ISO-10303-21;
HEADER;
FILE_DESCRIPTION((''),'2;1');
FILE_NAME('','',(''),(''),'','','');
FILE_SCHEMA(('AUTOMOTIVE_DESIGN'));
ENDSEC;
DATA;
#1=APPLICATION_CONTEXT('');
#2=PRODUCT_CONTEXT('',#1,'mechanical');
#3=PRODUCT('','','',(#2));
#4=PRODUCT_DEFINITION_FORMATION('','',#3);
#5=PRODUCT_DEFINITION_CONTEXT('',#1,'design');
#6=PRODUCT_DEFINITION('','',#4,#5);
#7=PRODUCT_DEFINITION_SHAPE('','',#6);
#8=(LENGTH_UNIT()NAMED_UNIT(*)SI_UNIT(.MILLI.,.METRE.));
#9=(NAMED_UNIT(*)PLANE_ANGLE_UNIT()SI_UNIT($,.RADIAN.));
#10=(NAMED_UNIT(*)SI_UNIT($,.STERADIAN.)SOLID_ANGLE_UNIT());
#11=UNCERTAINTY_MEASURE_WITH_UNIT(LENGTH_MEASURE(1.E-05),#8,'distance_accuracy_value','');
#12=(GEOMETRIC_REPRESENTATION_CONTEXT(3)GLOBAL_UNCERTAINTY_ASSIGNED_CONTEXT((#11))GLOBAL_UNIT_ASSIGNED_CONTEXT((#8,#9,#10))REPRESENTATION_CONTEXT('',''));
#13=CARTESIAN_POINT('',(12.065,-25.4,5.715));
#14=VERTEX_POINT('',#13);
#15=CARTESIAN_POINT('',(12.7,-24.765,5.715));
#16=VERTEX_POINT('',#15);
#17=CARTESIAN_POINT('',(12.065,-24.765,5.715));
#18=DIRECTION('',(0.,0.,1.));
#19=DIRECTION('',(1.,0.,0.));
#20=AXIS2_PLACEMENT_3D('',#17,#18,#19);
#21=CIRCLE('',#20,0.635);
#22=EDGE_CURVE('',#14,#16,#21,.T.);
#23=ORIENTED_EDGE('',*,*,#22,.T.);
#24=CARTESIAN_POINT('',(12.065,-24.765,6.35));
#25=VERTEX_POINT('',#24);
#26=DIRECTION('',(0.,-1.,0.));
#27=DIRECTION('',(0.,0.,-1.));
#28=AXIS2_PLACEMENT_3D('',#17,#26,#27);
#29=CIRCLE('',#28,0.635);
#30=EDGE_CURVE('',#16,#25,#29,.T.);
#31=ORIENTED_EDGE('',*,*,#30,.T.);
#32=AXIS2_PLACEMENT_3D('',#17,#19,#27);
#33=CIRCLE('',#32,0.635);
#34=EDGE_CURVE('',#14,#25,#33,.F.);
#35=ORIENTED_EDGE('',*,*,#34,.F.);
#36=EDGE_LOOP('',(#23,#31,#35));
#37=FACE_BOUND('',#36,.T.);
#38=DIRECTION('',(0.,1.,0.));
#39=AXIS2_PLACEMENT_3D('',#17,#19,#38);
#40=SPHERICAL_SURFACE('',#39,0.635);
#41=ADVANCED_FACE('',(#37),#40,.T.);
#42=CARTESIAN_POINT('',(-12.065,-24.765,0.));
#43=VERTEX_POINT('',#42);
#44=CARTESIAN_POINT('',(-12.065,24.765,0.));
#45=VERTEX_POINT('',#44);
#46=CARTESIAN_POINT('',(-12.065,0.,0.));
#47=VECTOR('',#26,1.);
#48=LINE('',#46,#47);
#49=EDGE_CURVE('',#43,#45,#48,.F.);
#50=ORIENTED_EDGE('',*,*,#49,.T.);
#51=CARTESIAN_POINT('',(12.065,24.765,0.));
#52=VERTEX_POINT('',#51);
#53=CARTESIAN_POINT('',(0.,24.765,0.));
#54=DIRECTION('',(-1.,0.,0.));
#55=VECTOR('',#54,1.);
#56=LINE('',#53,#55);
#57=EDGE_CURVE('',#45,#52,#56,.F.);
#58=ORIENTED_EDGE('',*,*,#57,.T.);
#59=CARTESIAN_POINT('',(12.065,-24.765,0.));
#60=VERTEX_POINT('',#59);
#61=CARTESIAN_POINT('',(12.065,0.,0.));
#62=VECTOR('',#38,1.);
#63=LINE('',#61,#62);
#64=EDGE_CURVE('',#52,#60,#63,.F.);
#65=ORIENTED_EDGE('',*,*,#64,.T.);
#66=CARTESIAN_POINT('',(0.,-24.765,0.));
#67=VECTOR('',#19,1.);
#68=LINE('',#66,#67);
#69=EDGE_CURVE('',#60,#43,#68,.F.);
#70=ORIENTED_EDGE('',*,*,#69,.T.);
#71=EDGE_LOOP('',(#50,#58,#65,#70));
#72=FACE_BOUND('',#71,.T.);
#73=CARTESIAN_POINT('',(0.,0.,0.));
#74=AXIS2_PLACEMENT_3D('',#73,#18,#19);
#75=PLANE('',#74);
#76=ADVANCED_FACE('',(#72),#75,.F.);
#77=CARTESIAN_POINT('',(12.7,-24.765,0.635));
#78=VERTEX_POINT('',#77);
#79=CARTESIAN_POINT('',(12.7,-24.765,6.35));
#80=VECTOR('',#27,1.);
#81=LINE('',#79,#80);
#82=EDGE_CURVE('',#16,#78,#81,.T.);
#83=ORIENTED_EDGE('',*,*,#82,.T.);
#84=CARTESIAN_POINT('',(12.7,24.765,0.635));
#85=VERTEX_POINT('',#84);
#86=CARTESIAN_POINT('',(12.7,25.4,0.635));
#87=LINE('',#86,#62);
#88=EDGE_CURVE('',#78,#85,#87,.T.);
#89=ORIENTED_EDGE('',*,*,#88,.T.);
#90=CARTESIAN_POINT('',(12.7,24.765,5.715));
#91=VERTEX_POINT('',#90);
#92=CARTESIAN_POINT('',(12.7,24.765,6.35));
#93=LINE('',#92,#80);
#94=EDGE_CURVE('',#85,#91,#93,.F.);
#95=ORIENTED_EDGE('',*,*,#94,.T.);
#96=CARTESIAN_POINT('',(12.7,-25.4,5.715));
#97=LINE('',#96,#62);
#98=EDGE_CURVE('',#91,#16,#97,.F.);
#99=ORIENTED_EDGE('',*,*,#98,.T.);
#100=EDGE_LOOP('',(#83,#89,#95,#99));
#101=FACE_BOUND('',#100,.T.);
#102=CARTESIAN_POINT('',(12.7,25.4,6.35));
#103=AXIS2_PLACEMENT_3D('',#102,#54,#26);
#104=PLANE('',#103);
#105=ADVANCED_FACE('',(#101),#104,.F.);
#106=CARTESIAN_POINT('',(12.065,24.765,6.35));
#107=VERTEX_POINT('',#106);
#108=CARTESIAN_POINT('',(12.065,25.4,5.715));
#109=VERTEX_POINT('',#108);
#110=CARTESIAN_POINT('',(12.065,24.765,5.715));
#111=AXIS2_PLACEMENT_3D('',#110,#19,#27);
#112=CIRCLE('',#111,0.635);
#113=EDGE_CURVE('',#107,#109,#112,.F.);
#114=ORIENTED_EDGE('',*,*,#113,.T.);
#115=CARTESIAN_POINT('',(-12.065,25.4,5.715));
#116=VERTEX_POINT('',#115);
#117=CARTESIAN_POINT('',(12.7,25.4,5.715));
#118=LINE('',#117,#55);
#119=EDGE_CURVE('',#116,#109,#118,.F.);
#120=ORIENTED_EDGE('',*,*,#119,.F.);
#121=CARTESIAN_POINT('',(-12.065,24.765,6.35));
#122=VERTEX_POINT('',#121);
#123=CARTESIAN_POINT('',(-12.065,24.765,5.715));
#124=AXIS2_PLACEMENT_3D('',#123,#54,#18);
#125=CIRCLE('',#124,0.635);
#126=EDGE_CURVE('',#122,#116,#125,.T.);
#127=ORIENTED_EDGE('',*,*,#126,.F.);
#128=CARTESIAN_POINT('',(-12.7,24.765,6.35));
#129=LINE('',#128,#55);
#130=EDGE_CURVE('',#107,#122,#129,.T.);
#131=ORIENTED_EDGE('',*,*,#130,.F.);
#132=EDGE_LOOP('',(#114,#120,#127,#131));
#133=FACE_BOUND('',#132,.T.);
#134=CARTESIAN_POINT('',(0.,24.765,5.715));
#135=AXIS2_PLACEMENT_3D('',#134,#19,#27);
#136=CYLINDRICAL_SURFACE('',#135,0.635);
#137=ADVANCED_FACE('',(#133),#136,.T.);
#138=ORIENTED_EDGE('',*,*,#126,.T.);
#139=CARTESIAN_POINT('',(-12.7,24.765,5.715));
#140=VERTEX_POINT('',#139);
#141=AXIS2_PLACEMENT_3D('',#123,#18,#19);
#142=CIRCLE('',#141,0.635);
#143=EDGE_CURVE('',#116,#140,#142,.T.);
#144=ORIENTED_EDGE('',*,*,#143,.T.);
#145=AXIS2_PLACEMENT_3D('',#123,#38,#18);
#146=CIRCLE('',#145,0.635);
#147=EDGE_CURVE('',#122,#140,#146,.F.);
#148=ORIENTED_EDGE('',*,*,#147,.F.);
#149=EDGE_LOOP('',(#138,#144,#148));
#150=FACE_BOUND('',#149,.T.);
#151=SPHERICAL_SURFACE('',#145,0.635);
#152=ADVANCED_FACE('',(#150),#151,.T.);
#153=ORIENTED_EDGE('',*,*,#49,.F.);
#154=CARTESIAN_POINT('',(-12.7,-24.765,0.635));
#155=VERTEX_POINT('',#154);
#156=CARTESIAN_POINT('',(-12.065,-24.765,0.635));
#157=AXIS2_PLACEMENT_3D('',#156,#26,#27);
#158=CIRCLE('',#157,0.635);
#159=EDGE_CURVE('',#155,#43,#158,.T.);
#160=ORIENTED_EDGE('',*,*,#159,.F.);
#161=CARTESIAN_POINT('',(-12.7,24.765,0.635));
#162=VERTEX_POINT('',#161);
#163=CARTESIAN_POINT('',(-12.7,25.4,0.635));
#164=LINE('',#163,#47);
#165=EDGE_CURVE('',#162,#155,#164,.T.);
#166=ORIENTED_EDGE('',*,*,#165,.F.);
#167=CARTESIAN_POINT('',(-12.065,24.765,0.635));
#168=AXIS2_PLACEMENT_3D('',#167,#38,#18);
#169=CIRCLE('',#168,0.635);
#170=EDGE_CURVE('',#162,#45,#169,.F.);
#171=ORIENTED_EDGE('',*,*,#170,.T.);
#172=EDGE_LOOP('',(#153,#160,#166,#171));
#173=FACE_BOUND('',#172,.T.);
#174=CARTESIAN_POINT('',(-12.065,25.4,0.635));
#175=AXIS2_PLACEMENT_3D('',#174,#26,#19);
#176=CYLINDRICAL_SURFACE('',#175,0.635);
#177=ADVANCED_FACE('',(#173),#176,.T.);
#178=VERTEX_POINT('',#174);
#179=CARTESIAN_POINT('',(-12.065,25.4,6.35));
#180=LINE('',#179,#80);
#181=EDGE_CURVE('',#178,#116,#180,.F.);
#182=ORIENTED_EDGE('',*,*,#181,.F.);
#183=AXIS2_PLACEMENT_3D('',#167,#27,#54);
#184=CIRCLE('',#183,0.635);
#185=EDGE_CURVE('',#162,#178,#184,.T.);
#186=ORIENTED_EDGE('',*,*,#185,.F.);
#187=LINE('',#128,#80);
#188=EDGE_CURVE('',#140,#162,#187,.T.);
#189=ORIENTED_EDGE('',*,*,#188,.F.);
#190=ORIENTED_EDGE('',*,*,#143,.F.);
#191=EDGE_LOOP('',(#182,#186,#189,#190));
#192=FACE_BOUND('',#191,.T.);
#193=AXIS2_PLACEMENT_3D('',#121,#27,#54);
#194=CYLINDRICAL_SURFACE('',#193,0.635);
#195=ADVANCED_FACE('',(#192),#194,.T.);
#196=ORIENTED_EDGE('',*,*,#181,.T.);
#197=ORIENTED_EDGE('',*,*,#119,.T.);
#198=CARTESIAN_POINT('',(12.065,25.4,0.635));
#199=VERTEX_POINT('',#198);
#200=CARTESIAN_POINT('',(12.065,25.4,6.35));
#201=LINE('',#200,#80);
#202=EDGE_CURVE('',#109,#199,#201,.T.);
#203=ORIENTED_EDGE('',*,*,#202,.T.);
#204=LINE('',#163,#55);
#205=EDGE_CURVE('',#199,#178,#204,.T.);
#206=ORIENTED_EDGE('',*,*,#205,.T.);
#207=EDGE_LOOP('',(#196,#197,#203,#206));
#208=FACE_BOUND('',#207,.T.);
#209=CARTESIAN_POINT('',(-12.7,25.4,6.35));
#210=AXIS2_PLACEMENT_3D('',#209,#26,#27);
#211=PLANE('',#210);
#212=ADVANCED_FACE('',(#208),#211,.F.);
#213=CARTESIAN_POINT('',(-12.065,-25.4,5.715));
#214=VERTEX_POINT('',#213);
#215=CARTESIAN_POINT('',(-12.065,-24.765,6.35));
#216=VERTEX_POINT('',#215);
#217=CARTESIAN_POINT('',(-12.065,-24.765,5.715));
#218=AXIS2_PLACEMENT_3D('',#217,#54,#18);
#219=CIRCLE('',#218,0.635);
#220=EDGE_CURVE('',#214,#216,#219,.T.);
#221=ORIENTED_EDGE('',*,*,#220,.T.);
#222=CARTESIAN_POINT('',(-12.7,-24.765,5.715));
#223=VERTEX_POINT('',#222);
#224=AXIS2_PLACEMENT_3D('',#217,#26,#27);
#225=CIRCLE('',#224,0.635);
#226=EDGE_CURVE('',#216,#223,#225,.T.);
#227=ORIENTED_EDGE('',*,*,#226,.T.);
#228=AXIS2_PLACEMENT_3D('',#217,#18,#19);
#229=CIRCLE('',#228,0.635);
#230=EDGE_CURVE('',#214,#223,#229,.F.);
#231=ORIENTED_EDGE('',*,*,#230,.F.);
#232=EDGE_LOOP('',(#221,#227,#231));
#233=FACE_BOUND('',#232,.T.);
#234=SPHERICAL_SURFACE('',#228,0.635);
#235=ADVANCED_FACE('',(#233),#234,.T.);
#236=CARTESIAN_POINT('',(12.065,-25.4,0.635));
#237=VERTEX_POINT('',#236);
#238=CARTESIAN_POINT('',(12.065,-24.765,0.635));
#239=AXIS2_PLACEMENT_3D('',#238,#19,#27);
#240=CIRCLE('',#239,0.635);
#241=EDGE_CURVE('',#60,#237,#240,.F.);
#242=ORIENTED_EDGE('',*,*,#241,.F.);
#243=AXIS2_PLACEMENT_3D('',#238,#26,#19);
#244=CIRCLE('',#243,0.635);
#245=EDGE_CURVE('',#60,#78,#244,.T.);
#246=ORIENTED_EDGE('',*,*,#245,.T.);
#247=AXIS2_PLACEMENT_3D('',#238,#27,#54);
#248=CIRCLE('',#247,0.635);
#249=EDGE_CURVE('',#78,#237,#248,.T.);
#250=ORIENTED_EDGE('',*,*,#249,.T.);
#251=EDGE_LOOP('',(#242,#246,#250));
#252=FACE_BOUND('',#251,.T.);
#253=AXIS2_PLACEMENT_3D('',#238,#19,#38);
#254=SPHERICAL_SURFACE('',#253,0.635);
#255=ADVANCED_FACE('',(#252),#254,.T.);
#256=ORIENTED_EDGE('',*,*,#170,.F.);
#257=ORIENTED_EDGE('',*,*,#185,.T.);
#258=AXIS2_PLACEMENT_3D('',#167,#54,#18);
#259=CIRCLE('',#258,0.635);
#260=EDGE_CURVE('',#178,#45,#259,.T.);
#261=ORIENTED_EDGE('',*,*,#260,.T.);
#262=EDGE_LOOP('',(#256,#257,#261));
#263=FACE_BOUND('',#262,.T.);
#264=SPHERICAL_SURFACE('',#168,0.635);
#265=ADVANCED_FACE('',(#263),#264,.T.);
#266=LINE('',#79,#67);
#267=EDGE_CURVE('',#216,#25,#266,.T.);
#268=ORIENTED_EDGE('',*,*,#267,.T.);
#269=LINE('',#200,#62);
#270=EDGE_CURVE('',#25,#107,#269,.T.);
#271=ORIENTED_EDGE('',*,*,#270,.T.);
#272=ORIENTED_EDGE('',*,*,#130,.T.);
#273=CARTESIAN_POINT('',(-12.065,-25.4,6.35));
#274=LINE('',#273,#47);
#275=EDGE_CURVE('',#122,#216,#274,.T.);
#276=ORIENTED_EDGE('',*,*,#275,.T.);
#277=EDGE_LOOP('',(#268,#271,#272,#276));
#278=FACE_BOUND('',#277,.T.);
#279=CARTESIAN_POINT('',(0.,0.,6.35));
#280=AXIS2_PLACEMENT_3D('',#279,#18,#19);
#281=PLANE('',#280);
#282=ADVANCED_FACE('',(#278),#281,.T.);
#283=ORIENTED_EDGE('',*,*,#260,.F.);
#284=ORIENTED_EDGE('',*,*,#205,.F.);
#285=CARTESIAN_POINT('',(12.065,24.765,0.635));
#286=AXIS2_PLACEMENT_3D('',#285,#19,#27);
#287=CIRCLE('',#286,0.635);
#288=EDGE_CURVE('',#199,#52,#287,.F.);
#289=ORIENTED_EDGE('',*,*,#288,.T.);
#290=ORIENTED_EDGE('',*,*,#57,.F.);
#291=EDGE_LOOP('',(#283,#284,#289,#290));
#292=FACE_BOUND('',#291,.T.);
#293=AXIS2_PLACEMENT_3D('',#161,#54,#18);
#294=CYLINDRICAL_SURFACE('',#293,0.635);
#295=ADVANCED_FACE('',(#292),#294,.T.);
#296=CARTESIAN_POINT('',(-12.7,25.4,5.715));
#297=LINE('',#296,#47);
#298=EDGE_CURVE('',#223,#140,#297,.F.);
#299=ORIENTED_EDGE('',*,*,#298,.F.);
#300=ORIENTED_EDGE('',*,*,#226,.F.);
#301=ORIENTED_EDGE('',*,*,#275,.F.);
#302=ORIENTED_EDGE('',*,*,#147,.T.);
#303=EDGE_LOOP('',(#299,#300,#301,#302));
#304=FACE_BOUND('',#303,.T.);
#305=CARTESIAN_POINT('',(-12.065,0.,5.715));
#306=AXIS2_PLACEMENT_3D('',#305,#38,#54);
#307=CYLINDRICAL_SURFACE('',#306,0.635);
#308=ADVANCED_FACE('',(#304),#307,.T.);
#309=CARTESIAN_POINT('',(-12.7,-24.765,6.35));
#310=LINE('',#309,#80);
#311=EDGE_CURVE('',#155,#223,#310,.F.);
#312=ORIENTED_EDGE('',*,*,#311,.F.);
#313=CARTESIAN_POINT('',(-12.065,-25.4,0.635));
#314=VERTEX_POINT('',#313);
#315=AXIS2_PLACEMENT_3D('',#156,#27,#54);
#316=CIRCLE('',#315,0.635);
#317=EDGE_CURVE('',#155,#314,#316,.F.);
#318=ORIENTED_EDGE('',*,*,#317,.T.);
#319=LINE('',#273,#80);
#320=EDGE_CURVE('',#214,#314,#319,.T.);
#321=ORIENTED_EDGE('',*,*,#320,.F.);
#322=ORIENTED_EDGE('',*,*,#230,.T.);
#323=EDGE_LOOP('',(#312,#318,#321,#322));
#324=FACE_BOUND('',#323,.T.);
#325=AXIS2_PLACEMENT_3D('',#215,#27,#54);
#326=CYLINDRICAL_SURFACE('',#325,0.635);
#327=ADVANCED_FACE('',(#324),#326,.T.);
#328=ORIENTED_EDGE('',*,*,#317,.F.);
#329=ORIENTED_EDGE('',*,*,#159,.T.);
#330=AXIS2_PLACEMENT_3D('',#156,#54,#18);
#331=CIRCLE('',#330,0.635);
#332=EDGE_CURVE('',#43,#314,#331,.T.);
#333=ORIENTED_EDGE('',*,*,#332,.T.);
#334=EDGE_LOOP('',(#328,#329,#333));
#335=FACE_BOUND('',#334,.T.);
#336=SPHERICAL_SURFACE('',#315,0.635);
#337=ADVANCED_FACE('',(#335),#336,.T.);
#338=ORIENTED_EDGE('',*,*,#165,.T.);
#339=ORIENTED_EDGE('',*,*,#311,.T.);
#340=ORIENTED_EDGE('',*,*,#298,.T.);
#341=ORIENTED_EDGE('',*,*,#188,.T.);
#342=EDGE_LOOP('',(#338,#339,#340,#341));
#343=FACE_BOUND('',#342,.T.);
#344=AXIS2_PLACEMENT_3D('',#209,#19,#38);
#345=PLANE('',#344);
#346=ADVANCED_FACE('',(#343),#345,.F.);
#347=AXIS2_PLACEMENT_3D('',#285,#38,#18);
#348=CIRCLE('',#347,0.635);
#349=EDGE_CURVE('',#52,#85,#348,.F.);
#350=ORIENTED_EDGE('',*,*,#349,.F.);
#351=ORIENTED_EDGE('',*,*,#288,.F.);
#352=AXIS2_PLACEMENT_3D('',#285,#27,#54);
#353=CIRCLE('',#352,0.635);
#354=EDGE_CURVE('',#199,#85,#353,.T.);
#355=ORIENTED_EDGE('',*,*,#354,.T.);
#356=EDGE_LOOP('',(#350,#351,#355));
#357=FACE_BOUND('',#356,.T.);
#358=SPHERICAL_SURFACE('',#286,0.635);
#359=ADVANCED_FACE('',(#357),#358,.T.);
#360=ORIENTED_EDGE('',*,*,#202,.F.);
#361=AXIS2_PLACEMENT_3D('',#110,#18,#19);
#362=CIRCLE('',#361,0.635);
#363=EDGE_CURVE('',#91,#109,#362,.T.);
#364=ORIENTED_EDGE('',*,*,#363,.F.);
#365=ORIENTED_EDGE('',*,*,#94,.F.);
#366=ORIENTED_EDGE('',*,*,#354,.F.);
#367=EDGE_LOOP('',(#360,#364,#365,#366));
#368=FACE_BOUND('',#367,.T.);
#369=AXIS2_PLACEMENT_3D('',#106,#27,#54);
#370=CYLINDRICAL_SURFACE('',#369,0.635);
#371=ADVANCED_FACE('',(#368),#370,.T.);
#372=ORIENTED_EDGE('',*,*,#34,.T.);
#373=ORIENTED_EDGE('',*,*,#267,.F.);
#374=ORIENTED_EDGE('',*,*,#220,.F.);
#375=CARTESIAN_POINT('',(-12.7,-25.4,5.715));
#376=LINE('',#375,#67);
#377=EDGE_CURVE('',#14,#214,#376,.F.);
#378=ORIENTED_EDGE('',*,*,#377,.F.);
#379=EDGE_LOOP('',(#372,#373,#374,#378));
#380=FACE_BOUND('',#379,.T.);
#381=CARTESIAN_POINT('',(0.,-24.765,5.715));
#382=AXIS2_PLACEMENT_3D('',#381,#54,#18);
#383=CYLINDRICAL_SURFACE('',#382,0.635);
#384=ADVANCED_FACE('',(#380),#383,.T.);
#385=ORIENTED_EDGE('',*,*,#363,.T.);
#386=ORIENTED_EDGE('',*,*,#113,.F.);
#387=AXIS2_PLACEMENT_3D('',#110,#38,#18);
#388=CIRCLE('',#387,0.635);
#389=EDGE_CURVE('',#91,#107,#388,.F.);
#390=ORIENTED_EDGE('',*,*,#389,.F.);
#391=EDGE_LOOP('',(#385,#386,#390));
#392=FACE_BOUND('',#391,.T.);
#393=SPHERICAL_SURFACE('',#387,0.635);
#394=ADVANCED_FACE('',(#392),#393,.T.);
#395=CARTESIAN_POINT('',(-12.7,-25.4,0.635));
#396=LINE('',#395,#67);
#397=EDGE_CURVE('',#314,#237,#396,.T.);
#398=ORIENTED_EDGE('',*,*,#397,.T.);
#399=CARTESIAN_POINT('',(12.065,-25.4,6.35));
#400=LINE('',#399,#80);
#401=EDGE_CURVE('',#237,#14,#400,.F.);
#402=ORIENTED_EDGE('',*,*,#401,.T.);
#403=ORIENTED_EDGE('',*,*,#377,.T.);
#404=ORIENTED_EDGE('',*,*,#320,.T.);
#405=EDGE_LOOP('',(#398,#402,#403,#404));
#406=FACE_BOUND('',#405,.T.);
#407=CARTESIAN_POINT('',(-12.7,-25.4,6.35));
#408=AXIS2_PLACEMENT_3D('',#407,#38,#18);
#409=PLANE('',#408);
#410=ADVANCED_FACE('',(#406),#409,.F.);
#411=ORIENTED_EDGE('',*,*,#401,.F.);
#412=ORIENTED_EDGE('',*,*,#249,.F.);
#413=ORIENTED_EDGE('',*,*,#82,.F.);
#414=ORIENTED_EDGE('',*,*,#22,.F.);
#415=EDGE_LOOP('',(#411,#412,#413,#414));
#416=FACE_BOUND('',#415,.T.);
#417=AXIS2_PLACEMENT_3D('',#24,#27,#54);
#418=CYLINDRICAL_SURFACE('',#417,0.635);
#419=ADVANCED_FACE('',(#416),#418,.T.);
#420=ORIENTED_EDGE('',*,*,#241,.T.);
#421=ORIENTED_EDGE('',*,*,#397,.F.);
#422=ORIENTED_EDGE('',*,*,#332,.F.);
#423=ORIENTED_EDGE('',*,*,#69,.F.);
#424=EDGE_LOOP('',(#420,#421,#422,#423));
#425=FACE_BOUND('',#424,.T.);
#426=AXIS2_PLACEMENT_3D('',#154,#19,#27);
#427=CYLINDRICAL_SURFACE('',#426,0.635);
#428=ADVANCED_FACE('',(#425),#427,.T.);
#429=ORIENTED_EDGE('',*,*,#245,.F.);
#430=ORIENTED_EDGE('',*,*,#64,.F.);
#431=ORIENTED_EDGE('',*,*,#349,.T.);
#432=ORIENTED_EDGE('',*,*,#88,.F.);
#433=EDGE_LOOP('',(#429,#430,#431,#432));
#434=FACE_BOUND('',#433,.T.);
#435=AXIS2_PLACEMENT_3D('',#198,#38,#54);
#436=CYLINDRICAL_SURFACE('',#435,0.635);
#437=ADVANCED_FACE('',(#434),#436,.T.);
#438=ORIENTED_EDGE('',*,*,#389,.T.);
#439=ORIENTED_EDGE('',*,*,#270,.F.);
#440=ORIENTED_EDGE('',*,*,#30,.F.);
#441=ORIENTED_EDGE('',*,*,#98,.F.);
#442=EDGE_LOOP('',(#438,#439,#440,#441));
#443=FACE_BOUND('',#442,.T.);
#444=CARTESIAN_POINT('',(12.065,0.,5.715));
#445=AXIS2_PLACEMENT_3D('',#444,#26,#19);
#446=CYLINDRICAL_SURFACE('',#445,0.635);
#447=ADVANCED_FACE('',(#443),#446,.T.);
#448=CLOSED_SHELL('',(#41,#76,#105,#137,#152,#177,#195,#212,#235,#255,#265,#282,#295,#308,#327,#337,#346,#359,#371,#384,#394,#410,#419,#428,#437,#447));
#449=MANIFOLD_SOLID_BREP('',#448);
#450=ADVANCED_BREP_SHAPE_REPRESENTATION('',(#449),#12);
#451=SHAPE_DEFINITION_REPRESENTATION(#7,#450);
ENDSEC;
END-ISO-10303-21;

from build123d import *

# Parameters (mm, degrees)
SKETCH1_W           = 25.4
SKETCH1_H           = 50.8
BOSS_EXTRUDE1_DEPTH = 6.35
FILLET1_R           = 0.635


with BuildPart() as part:
    # Sketch1 → Boss-Extrude1 (new body)
    with BuildSketch(Plane.XY):
        Rectangle(SKETCH1_W, SKETCH1_H)
    extrude(amount=BOSS_EXTRUDE1_DEPTH)

    # Fillet1
    fillet1_edges = [part.edges().sort_by_distance(p)[0] for p in [
        (-12.7, 0, 6.35),
        (0, -25.4, 6.35),
        (12.7, 0, 6.35),
        (0, -25.4, 0),
        (-12.7, 0, 0),
        (0, 25.4, 0),
        (12.7, 0, 0),
        (12.7, -25.4, 3.175),
        (-12.7, -25.4, 3.175),
        (-12.7, 25.4, 3.175),
        (12.7, 25.4, 3.175),
        (0, 25.4, 6.35),
    ]]
    fillet(fillet1_edges, radius=FILLET1_R)


solid = part.part
